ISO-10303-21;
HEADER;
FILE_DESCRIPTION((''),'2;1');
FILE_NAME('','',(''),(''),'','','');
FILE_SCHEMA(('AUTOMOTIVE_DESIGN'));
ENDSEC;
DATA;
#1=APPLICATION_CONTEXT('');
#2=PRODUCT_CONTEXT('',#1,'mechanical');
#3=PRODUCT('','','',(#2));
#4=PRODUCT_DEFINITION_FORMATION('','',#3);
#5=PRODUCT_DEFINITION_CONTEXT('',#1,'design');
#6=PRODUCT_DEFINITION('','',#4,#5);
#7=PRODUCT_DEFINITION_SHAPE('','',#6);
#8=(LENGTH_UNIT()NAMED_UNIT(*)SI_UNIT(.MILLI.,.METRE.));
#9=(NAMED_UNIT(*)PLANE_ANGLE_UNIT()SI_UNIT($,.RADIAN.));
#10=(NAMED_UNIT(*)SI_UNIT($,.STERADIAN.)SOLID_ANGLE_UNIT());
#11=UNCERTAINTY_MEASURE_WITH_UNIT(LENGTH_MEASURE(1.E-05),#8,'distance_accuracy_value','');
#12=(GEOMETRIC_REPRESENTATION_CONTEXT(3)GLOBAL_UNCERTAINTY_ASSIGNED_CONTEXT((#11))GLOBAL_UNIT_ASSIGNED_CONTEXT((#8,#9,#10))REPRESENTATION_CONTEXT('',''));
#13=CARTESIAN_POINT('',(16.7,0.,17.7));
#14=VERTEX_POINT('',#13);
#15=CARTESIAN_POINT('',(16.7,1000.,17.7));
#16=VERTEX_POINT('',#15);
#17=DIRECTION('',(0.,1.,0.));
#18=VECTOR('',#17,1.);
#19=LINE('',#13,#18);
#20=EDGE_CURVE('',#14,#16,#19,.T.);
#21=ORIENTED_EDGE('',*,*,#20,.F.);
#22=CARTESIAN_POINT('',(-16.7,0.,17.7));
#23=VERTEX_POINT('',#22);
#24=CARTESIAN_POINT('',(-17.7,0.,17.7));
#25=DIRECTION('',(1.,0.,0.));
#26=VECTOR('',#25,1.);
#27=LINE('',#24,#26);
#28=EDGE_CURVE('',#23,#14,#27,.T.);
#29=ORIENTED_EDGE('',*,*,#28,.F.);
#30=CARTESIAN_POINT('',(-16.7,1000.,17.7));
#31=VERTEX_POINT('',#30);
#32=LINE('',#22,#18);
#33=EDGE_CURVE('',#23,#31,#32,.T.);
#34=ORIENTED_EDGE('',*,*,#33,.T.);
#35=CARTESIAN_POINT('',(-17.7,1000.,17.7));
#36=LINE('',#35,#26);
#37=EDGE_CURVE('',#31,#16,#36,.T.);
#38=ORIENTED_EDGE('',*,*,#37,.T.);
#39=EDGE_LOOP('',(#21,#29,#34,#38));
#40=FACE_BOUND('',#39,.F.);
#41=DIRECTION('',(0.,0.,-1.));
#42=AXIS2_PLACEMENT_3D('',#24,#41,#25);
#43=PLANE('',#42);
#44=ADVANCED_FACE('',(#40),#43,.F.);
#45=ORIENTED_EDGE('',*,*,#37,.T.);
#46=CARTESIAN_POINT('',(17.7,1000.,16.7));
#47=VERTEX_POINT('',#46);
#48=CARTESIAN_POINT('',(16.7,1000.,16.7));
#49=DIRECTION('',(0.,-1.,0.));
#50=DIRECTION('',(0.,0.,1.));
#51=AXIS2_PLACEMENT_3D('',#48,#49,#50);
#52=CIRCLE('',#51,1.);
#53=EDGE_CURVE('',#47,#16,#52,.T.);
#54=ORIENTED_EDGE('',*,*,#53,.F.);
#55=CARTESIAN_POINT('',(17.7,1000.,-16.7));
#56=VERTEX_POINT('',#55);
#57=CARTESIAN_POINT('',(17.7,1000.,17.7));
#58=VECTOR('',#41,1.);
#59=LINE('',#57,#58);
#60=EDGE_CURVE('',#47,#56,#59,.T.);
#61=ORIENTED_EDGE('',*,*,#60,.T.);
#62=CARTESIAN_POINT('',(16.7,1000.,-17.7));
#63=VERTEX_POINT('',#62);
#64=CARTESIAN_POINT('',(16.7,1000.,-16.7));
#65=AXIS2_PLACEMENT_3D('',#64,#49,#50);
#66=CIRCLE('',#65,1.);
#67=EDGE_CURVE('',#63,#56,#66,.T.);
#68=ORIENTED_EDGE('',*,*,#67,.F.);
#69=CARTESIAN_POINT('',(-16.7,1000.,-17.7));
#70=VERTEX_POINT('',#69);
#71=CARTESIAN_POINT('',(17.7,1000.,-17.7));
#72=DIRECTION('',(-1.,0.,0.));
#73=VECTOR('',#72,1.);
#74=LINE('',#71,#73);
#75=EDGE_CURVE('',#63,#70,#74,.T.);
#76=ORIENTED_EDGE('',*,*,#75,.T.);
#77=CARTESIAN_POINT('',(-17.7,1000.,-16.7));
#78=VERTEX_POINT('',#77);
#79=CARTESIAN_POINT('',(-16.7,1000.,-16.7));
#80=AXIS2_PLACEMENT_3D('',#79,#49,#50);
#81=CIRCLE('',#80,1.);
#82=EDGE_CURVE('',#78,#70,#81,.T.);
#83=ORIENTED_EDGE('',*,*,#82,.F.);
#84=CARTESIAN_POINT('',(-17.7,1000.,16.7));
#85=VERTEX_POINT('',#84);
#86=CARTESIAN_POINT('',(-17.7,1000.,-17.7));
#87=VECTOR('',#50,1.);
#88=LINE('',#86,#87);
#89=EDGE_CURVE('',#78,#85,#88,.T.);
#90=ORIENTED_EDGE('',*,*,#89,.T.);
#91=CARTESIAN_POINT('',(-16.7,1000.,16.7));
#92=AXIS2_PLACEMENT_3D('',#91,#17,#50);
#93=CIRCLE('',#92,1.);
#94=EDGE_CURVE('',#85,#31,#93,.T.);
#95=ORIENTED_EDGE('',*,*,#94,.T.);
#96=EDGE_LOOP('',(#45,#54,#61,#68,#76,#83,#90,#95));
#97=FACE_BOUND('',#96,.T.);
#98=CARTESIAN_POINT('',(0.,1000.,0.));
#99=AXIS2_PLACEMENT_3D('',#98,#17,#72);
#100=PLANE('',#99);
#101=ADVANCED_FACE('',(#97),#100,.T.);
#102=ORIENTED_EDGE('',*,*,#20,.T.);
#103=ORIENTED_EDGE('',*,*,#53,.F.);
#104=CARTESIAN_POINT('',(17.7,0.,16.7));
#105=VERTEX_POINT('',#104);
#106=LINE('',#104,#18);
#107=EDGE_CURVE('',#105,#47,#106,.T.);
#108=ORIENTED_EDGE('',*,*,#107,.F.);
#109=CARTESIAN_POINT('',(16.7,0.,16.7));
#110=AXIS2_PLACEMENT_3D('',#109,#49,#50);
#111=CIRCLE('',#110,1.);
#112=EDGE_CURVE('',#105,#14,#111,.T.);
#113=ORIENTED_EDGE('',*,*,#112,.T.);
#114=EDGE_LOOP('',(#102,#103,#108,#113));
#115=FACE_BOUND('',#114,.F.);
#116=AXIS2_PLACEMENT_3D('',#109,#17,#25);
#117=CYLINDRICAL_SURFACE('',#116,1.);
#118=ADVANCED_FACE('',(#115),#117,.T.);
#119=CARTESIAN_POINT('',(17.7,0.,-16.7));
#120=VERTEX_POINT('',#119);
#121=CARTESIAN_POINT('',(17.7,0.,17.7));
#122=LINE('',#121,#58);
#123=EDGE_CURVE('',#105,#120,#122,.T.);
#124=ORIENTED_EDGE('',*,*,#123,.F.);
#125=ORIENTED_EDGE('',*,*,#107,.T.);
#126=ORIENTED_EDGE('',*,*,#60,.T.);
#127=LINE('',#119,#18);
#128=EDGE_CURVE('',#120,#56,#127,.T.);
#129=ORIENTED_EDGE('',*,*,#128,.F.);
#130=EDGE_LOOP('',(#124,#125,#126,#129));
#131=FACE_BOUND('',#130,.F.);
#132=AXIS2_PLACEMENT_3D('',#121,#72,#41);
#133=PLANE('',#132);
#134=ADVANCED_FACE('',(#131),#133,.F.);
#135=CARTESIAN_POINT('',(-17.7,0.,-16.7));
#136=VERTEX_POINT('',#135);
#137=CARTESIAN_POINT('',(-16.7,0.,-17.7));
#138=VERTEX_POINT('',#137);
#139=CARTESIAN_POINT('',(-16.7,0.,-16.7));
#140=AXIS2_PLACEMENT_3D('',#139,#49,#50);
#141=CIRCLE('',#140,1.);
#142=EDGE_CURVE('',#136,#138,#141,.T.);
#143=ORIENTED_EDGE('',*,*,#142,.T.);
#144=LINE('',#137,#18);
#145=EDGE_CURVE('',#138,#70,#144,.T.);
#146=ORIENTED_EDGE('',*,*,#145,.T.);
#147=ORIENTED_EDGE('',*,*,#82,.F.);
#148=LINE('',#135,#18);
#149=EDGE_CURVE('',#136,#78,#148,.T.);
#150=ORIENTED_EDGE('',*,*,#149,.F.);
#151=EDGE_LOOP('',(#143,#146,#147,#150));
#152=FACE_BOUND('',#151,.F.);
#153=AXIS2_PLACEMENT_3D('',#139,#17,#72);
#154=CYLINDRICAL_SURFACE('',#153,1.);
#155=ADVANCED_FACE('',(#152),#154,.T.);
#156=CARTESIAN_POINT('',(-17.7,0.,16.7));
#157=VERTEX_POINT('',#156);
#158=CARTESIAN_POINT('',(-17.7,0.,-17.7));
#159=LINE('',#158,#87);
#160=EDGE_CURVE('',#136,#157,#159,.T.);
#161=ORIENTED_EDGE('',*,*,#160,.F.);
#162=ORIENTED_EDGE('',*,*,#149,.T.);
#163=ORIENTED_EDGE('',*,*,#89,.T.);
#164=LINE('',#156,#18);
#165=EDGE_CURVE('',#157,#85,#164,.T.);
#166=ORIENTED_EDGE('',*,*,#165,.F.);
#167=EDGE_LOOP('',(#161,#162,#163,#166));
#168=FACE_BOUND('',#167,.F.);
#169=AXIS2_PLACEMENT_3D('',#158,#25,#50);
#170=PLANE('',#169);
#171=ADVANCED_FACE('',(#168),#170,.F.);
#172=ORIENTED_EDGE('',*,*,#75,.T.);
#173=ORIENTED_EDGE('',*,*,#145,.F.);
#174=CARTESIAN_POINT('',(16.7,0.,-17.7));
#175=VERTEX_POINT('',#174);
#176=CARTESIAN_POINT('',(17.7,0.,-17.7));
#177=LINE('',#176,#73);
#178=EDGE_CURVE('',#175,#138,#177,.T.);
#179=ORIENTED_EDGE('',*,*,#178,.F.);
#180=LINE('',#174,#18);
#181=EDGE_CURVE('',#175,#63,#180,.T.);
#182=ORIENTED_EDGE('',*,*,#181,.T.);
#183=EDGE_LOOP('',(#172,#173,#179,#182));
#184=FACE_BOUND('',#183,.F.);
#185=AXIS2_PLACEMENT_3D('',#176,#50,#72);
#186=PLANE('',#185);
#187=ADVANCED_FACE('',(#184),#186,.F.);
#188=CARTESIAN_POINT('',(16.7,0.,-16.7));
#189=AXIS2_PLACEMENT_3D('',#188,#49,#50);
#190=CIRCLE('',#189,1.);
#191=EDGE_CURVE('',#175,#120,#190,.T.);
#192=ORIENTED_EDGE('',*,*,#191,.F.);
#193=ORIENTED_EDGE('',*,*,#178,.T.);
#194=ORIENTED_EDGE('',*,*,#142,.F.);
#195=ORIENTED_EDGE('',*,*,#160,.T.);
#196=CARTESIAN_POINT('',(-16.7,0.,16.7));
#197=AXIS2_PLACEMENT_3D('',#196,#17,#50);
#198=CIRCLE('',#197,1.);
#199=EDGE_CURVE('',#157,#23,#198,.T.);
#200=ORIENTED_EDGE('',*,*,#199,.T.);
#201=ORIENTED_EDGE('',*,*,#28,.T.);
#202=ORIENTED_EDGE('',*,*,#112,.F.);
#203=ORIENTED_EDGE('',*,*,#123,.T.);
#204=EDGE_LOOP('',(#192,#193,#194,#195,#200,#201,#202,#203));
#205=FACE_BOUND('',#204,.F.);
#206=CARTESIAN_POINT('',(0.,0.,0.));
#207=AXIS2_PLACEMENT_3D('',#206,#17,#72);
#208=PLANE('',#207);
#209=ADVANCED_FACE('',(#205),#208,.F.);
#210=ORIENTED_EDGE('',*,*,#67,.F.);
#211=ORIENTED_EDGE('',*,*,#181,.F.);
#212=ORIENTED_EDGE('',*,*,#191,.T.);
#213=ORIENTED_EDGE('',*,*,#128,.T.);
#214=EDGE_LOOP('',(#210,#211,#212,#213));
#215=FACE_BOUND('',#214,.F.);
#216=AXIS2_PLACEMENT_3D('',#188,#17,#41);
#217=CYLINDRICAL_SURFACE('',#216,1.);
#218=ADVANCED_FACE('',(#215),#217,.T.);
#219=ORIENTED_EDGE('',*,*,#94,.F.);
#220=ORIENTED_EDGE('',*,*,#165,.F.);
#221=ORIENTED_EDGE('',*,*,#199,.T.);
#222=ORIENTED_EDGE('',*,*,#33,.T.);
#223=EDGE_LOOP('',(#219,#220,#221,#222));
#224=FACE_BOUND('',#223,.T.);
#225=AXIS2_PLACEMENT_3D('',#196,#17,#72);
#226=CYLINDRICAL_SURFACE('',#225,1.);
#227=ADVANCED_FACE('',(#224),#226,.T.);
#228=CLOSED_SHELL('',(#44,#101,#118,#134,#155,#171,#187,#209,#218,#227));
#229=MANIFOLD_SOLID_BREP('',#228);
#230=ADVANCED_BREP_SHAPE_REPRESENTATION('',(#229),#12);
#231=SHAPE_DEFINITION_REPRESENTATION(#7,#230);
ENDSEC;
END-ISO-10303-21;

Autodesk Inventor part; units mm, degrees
ref_plane "YZ Plane" through (0, 0, 0) normal (1, 0, 0) x (0, 1, 0)
ref_plane "XZ Plane" through (0, 0, 0) normal (0, 1, 0) x (-1, 0, 0)
ref_plane "XY Plane" through (0, 0, 0) normal (0, 0, 1) x (1, 0, 0)
sketch "Sketch1" plane through (0, 0, 0) normal (0, 1, 0) x (-1, 0, 0)
  line L0 (17.7, 17.7) -> (-17.7, 17.7)
  line L1 (-17.7, 17.7) -> (-17.7, -17.7)
  line L2 (-17.7, -17.7) -> (17.7, -17.7)
  line L3 (17.7, -17.7) -> (17.7, 17.7)
  point P0 (0, 0)
  dimension "d0" = 35.4
  dimension "d1" = 35.4
  dimension "d2" = 17.7
  dimension "d3" = 17.7
extrude "Extrusion1" add sketch "Sketch1" along normal blind 1000
fillet "Fillet1" radius 1 4 edges at (17.7, 500, 17.7) (17.7, 500, -17.7) (-17.7, 500, -17.7) (-17.7, 500, 17.7)
equation "\"d2\" = 0.5 * d0"
equation "\"d3\" = 0.5 * d1"
properties part number "COTS_GENERIC_Balcony_Railing"
